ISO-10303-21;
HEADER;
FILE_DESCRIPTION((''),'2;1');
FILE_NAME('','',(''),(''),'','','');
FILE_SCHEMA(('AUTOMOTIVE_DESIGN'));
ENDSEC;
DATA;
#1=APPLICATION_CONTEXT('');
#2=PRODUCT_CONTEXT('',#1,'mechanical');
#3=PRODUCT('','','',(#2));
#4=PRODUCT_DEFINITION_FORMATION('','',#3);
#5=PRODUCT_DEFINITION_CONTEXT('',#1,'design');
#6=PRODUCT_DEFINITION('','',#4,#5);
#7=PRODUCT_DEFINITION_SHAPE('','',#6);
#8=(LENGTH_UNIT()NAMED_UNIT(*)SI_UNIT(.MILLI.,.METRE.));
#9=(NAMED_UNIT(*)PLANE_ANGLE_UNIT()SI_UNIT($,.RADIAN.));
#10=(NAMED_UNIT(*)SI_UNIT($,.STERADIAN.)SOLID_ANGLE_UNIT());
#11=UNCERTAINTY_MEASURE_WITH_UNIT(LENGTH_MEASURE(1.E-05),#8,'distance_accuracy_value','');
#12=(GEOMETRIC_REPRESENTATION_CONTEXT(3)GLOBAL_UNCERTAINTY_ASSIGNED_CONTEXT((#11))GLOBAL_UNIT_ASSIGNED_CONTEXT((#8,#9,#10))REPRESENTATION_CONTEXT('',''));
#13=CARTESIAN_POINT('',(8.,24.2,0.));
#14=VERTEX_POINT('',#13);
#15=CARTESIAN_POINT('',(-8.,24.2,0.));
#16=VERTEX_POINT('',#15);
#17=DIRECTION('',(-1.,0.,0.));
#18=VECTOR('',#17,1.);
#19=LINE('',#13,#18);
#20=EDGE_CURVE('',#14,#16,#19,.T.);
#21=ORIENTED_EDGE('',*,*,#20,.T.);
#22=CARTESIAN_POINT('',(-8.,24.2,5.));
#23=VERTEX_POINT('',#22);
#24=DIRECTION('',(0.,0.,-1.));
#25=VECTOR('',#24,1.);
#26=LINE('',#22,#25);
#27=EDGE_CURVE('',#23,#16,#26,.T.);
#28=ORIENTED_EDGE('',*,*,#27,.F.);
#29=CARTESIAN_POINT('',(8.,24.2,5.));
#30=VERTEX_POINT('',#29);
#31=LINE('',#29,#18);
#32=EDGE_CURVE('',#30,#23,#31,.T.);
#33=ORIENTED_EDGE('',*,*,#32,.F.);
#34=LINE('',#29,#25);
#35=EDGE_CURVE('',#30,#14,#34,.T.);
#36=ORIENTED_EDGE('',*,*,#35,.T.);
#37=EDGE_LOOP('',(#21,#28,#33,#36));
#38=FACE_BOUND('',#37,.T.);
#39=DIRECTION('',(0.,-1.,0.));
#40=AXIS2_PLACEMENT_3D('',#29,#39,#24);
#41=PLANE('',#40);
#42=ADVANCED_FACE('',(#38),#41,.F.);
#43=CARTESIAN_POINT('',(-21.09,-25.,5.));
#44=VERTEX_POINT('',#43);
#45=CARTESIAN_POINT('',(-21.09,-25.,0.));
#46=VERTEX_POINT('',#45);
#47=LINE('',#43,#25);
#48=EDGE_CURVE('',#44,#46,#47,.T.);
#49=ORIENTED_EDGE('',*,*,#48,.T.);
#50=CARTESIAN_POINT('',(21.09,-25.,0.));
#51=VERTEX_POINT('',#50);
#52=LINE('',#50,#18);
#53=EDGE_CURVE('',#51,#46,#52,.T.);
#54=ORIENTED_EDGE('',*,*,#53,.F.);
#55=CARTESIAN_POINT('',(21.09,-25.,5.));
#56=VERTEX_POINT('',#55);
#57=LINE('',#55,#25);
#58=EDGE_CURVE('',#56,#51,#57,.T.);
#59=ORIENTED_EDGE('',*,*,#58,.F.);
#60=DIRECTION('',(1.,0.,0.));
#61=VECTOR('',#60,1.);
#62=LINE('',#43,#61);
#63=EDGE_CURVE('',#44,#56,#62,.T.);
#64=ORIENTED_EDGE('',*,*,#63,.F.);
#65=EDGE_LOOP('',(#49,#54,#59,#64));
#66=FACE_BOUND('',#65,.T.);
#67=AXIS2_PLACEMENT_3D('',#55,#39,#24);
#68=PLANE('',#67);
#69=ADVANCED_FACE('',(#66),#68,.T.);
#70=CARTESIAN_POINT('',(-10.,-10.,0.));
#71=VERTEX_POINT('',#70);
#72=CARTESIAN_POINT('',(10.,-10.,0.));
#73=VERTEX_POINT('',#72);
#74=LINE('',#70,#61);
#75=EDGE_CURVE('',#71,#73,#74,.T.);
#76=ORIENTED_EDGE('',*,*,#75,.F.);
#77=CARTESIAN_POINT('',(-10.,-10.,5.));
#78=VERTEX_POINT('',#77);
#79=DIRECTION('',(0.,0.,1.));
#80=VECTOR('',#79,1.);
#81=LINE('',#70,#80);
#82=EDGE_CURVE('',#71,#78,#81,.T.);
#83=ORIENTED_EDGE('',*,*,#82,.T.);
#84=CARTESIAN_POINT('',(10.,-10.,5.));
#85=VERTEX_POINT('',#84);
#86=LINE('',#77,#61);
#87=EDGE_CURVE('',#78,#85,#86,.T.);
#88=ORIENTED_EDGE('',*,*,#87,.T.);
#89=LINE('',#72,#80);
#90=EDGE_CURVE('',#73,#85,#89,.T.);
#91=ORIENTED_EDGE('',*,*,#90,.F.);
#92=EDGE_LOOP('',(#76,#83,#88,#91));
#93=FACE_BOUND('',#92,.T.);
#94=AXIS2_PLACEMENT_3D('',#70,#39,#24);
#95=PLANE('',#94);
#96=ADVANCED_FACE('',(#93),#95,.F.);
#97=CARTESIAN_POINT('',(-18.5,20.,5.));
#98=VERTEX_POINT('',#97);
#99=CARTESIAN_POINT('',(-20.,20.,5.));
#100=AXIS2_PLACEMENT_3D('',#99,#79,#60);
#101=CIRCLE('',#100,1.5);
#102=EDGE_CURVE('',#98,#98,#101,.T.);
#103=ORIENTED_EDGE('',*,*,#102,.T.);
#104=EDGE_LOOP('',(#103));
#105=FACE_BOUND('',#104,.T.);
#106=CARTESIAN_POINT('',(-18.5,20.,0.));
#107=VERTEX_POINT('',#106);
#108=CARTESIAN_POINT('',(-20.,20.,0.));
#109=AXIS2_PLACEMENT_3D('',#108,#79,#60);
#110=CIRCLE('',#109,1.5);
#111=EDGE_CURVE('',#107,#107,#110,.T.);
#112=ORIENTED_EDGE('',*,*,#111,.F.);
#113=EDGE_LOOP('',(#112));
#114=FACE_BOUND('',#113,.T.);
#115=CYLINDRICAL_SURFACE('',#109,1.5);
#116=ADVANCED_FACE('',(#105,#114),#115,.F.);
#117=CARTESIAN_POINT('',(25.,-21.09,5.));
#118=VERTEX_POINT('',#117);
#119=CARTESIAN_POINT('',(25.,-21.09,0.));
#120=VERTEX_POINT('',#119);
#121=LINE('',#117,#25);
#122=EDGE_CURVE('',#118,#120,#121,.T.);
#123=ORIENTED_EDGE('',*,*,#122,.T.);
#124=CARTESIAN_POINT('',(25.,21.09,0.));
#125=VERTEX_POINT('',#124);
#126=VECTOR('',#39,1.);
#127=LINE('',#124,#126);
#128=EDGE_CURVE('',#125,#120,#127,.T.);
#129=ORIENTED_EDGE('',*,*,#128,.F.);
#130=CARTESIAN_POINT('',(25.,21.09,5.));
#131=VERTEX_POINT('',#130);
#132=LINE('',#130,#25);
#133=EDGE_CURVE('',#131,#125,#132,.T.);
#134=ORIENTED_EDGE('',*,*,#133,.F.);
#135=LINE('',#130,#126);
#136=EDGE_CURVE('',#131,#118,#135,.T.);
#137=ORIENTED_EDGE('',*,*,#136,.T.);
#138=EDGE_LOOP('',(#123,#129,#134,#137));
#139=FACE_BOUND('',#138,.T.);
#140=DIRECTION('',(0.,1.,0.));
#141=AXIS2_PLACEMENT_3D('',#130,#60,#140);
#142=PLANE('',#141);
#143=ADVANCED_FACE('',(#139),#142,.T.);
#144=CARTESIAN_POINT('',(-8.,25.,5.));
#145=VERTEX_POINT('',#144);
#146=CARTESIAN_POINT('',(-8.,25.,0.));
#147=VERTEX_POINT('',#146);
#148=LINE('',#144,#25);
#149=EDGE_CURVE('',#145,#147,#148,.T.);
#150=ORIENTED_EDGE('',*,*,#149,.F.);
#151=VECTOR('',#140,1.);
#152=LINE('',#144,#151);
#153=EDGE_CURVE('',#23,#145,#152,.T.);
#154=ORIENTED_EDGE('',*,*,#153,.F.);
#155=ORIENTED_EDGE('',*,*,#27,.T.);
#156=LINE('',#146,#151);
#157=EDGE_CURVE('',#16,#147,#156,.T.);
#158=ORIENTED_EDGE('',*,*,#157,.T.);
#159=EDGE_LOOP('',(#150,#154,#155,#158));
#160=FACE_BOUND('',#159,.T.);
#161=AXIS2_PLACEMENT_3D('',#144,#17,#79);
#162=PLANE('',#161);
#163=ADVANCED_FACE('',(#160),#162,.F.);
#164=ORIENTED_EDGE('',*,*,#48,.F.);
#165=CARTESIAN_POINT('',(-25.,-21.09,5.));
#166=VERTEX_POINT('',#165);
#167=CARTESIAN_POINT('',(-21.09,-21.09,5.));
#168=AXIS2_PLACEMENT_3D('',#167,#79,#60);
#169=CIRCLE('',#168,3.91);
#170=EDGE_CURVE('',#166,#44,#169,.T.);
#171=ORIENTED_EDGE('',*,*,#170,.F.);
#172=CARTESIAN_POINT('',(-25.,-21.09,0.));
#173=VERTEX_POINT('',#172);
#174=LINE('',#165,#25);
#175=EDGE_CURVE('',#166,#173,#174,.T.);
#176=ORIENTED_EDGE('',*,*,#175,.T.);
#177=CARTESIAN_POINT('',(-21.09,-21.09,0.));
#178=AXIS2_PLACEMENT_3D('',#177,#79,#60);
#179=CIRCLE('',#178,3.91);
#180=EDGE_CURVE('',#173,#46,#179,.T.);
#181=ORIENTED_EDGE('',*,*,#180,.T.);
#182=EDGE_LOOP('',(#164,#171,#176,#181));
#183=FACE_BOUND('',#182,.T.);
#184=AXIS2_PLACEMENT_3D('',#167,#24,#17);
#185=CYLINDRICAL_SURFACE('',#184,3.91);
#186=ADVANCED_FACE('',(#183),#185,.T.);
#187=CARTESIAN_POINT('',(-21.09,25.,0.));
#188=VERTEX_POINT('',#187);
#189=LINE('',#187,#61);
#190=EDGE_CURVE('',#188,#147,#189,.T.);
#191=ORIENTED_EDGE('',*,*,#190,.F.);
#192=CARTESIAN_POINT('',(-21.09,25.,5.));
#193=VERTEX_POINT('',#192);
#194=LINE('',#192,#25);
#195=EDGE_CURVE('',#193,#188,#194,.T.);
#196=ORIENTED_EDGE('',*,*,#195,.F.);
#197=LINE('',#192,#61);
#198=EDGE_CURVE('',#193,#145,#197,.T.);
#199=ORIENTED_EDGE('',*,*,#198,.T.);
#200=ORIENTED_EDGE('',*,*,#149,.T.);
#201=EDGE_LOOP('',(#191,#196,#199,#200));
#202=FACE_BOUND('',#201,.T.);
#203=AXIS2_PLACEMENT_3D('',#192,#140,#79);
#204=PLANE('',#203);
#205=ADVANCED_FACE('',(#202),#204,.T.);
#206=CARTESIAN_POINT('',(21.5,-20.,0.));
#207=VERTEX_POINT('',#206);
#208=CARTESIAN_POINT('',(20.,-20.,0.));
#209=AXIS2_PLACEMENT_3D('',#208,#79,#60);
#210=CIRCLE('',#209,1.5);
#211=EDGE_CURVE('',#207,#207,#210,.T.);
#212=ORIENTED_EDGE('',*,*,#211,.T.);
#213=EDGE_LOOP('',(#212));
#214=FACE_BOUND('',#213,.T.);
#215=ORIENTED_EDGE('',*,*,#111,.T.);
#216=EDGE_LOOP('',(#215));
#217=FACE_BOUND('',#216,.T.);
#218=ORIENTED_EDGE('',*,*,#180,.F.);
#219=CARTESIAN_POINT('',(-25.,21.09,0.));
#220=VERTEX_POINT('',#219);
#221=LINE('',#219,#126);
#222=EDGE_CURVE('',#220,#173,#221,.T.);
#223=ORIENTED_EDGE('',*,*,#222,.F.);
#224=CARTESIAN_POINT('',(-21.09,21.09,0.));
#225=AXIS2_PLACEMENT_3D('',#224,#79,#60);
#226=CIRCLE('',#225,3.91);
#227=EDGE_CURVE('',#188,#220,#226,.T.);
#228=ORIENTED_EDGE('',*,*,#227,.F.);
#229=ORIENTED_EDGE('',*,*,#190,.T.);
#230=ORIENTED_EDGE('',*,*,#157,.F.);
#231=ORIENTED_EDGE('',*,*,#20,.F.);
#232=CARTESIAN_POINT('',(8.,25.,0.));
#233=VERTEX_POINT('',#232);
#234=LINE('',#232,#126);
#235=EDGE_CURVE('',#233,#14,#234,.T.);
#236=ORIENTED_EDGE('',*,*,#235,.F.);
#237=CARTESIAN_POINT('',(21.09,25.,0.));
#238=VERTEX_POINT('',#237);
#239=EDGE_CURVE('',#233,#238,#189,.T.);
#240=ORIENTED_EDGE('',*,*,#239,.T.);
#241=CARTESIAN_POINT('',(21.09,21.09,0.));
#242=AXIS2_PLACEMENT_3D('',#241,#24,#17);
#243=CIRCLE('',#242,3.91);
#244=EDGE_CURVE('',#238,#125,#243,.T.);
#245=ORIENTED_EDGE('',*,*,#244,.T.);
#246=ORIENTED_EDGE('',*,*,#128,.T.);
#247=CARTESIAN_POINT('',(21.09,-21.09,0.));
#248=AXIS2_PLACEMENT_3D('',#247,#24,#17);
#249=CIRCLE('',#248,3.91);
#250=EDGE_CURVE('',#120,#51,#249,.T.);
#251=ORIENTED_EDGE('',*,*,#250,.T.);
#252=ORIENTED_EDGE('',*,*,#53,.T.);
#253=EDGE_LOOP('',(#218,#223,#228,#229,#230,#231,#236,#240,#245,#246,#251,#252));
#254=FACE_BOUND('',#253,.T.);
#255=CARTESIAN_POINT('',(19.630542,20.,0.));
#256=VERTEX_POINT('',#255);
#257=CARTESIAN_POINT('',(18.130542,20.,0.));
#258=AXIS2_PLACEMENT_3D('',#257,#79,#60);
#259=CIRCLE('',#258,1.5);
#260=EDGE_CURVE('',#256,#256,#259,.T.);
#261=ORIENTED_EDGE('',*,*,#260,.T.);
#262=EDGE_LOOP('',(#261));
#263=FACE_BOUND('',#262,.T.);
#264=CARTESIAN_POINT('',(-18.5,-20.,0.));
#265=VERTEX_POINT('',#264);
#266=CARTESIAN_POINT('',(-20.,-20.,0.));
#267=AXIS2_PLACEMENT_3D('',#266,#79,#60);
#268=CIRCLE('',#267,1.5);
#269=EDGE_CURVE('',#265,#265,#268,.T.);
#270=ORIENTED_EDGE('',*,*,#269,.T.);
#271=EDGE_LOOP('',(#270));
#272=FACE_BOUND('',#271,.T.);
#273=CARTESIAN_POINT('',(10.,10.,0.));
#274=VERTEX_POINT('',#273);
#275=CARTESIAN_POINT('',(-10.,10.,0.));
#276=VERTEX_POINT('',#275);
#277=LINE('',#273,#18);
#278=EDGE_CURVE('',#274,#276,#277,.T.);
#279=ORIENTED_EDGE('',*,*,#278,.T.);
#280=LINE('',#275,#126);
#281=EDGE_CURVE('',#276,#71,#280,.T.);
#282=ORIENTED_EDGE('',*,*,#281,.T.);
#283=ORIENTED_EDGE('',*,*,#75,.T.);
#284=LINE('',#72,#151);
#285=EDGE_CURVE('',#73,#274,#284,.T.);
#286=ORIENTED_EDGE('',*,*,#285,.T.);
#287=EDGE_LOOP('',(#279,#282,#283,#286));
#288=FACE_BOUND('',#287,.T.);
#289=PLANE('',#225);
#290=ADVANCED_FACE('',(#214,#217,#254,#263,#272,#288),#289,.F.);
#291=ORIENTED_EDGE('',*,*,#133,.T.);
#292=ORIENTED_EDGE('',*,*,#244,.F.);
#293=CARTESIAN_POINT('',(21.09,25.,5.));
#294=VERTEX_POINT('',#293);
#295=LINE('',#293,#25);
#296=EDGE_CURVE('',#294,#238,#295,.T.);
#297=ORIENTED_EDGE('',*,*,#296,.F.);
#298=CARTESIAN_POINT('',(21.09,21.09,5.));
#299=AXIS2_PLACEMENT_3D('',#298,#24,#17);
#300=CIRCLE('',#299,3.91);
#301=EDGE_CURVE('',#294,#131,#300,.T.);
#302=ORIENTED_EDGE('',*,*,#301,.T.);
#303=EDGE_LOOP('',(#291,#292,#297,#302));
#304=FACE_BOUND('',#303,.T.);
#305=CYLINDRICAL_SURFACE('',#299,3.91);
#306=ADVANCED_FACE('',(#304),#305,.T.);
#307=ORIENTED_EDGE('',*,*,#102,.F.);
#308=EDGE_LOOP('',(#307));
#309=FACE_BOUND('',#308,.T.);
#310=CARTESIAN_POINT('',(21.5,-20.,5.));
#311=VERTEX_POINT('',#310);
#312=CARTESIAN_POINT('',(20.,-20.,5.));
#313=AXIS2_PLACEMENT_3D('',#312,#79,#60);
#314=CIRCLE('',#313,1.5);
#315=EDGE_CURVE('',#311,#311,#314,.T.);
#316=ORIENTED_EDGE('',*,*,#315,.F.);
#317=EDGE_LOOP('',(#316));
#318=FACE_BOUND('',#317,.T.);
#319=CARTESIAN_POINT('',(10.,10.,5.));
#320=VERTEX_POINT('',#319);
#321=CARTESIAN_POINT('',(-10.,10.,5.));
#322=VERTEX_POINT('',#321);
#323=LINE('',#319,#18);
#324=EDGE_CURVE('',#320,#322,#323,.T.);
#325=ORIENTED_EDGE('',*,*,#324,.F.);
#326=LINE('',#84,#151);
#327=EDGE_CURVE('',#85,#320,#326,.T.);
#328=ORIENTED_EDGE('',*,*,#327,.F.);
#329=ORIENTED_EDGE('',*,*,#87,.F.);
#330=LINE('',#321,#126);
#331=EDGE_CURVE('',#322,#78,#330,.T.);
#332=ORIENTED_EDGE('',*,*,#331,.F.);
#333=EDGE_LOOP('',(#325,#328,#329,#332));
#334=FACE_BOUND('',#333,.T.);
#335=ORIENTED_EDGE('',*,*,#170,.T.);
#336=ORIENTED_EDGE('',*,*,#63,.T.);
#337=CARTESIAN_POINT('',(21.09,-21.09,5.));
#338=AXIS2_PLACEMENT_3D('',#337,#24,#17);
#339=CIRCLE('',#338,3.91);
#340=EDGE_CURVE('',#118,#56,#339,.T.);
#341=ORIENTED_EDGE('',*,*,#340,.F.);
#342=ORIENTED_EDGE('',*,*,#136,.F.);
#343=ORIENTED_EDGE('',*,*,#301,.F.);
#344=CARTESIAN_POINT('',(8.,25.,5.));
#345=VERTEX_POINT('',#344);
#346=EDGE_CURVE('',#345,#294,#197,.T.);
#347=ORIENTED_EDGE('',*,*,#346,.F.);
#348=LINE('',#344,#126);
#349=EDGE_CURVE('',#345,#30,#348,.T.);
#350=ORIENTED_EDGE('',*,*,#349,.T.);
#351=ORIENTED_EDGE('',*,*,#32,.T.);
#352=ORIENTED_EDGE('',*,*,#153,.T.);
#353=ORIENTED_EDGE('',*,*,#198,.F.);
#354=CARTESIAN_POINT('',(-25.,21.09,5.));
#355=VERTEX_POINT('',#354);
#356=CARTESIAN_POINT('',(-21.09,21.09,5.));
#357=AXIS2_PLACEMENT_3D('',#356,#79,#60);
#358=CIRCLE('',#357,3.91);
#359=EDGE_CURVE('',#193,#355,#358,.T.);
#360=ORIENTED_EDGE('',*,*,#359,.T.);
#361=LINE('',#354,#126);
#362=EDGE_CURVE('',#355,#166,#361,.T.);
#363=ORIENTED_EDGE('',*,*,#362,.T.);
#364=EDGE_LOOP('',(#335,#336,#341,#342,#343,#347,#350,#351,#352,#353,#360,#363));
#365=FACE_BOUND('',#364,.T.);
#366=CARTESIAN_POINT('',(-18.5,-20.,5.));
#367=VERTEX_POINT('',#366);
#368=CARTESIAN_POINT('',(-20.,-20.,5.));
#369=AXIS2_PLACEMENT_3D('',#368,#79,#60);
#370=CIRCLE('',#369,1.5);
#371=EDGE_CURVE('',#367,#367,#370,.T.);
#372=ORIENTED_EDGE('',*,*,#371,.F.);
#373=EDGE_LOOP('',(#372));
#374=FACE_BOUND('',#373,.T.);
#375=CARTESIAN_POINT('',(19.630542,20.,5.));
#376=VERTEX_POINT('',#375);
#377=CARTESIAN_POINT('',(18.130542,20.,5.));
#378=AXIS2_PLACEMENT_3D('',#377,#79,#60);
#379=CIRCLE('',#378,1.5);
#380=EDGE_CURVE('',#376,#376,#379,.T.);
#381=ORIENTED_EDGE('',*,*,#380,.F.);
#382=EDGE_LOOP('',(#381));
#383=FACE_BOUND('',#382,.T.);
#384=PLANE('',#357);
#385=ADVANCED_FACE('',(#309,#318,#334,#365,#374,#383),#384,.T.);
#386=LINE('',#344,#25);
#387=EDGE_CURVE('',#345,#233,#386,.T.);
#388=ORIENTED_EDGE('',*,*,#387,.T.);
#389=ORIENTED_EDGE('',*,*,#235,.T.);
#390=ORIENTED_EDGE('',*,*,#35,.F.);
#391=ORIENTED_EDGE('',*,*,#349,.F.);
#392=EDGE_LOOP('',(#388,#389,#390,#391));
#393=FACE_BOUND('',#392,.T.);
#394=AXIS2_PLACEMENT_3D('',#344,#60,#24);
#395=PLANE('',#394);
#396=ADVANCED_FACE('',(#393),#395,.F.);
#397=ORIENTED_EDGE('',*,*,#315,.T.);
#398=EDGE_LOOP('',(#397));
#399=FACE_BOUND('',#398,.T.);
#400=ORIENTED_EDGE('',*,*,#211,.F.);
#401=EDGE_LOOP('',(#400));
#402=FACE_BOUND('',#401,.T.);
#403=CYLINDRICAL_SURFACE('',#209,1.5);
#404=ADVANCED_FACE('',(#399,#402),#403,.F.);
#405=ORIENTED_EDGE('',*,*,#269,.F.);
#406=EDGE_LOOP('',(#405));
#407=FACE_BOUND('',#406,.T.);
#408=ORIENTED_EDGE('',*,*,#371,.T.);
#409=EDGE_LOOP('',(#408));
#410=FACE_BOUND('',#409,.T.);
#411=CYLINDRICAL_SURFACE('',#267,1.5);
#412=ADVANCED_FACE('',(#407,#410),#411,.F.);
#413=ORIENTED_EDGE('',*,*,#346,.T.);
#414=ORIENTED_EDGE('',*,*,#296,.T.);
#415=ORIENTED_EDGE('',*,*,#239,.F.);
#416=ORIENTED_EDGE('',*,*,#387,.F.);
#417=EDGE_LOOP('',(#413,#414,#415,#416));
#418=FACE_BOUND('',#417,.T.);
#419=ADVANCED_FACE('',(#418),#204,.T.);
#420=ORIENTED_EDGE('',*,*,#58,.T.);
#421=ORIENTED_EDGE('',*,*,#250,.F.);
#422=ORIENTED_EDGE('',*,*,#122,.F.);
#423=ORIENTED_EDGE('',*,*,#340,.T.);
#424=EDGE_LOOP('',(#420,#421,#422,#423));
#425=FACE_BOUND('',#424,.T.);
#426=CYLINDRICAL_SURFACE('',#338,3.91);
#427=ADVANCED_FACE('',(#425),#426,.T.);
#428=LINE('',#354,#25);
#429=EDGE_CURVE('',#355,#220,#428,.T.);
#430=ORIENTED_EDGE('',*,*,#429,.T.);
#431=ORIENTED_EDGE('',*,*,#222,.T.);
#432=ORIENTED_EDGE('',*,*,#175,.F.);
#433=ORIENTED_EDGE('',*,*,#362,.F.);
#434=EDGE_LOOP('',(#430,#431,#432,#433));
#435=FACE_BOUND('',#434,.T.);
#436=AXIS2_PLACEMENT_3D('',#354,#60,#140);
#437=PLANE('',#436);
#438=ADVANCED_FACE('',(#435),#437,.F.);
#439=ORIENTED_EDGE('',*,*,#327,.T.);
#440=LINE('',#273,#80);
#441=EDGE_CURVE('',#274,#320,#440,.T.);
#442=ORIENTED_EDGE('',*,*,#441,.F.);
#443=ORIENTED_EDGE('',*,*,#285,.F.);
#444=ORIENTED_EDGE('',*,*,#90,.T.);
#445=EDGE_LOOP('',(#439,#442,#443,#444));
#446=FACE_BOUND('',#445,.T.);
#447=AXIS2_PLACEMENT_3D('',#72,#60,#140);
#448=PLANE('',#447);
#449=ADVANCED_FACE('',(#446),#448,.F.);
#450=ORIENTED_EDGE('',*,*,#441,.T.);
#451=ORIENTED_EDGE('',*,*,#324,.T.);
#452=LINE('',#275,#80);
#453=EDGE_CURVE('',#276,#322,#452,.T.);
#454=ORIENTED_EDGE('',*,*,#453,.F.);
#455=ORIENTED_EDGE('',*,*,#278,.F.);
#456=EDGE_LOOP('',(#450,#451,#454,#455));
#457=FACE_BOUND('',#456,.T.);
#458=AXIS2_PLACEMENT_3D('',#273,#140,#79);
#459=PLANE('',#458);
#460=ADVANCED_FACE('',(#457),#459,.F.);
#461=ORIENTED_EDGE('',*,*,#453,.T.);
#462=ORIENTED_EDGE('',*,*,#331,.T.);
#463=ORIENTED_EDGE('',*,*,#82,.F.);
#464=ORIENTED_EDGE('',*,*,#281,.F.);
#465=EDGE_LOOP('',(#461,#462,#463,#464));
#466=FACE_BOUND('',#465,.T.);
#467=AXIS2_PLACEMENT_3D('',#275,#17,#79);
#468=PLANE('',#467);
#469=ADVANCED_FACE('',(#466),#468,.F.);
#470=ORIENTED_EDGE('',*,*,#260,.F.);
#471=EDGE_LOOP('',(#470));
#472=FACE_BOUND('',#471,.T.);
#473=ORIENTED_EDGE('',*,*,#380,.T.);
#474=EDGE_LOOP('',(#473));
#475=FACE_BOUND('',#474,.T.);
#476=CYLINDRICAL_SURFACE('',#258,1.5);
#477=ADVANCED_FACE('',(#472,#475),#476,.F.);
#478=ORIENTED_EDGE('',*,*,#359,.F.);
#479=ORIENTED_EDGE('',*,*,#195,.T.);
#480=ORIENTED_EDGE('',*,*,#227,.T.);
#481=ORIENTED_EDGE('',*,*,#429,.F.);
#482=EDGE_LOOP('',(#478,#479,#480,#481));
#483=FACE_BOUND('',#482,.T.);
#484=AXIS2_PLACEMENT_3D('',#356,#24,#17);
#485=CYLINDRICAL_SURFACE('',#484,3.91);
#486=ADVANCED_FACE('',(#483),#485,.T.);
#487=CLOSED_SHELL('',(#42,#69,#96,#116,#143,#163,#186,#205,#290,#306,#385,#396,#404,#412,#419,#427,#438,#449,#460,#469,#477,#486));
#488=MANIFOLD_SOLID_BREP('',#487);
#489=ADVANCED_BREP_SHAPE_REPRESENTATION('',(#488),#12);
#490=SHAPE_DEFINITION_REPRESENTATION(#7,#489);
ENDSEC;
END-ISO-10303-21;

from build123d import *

# Parameters (mm, degrees)
BOSS_EXTRUDE1_DEPTH = 5
SKETCH2_W           = 20
SKETCH2_H           = 20
CUT_EXTRUDE1_DEPTH  = 5
SKETCH5_R           = 1.5
CUT_EXTRUDE2_DEPTH  = 36.707142143
SKETCH6_W           = 16
SKETCH6_H           = 0.8
CUT_EXTRUDE3_DEPTH  = 36.707142143


with BuildPart() as part:
    # Sketch1 → Boss-Extrude1 (new body)
    with BuildSketch(Plane.XY):
        with BuildLine():
            Line((-21.09, 25), (21.09, 25))
            ThreePointArc((21.09, 25), (23.854787514, 23.854787514), (25, 21.09))
            Line((25, 21.09), (25, -21.09))
            ThreePointArc((25, -21.09), (23.854787514, -23.854787514), (21.09, -25))
            Line((21.09, -25), (20.757353845, -25))
            Line((20.757353845, -25), (-21.09, -25))
            ThreePointArc((-21.09, -25), (-23.854787514, -23.854787514), (-25, -21.09))
            Line((-25, -21.09), (-25, 21.09))
            ThreePointArc((-25, 21.09), (-23.854787514, 23.854787514), (-21.09, 25))
        make_face()
    extrude(amount=BOSS_EXTRUDE1_DEPTH)

    # Sketch2 → Cut-Extrude1 (cut)
    with BuildSketch(Plane.XY.offset(5)):
        Rectangle(SKETCH2_W, SKETCH2_H)
    extrude(amount=-CUT_EXTRUDE1_DEPTH, mode=Mode.SUBTRACT)

    # Sketch5 → Cut-Extrude2 (cut, through all)
    with BuildSketch(Plane.XY.offset(5)):
        with Locations((-20, 20)):
            Circle(SKETCH5_R)
        with Locations((18.13054205, 20)):
            Circle(SKETCH5_R)
        with Locations((-20, -20)):
            Circle(SKETCH5_R)
        with Locations((20, -20)):
            Circle(SKETCH5_R)
    extrude(amount=-CUT_EXTRUDE2_DEPTH, mode=Mode.SUBTRACT)

    # Sketch6 → Cut-Extrude3 (cut, through all)
    with BuildSketch(Plane(origin=(0, 0, 0), x_dir=(-1, 0, 0), z_dir=(0, 0, -1))):
        with Locations((0, 24.6)):
            Rectangle(SKETCH6_W, SKETCH6_H)
    extrude(amount=-CUT_EXTRUDE3_DEPTH, mode=Mode.SUBTRACT)


solid = part.part
